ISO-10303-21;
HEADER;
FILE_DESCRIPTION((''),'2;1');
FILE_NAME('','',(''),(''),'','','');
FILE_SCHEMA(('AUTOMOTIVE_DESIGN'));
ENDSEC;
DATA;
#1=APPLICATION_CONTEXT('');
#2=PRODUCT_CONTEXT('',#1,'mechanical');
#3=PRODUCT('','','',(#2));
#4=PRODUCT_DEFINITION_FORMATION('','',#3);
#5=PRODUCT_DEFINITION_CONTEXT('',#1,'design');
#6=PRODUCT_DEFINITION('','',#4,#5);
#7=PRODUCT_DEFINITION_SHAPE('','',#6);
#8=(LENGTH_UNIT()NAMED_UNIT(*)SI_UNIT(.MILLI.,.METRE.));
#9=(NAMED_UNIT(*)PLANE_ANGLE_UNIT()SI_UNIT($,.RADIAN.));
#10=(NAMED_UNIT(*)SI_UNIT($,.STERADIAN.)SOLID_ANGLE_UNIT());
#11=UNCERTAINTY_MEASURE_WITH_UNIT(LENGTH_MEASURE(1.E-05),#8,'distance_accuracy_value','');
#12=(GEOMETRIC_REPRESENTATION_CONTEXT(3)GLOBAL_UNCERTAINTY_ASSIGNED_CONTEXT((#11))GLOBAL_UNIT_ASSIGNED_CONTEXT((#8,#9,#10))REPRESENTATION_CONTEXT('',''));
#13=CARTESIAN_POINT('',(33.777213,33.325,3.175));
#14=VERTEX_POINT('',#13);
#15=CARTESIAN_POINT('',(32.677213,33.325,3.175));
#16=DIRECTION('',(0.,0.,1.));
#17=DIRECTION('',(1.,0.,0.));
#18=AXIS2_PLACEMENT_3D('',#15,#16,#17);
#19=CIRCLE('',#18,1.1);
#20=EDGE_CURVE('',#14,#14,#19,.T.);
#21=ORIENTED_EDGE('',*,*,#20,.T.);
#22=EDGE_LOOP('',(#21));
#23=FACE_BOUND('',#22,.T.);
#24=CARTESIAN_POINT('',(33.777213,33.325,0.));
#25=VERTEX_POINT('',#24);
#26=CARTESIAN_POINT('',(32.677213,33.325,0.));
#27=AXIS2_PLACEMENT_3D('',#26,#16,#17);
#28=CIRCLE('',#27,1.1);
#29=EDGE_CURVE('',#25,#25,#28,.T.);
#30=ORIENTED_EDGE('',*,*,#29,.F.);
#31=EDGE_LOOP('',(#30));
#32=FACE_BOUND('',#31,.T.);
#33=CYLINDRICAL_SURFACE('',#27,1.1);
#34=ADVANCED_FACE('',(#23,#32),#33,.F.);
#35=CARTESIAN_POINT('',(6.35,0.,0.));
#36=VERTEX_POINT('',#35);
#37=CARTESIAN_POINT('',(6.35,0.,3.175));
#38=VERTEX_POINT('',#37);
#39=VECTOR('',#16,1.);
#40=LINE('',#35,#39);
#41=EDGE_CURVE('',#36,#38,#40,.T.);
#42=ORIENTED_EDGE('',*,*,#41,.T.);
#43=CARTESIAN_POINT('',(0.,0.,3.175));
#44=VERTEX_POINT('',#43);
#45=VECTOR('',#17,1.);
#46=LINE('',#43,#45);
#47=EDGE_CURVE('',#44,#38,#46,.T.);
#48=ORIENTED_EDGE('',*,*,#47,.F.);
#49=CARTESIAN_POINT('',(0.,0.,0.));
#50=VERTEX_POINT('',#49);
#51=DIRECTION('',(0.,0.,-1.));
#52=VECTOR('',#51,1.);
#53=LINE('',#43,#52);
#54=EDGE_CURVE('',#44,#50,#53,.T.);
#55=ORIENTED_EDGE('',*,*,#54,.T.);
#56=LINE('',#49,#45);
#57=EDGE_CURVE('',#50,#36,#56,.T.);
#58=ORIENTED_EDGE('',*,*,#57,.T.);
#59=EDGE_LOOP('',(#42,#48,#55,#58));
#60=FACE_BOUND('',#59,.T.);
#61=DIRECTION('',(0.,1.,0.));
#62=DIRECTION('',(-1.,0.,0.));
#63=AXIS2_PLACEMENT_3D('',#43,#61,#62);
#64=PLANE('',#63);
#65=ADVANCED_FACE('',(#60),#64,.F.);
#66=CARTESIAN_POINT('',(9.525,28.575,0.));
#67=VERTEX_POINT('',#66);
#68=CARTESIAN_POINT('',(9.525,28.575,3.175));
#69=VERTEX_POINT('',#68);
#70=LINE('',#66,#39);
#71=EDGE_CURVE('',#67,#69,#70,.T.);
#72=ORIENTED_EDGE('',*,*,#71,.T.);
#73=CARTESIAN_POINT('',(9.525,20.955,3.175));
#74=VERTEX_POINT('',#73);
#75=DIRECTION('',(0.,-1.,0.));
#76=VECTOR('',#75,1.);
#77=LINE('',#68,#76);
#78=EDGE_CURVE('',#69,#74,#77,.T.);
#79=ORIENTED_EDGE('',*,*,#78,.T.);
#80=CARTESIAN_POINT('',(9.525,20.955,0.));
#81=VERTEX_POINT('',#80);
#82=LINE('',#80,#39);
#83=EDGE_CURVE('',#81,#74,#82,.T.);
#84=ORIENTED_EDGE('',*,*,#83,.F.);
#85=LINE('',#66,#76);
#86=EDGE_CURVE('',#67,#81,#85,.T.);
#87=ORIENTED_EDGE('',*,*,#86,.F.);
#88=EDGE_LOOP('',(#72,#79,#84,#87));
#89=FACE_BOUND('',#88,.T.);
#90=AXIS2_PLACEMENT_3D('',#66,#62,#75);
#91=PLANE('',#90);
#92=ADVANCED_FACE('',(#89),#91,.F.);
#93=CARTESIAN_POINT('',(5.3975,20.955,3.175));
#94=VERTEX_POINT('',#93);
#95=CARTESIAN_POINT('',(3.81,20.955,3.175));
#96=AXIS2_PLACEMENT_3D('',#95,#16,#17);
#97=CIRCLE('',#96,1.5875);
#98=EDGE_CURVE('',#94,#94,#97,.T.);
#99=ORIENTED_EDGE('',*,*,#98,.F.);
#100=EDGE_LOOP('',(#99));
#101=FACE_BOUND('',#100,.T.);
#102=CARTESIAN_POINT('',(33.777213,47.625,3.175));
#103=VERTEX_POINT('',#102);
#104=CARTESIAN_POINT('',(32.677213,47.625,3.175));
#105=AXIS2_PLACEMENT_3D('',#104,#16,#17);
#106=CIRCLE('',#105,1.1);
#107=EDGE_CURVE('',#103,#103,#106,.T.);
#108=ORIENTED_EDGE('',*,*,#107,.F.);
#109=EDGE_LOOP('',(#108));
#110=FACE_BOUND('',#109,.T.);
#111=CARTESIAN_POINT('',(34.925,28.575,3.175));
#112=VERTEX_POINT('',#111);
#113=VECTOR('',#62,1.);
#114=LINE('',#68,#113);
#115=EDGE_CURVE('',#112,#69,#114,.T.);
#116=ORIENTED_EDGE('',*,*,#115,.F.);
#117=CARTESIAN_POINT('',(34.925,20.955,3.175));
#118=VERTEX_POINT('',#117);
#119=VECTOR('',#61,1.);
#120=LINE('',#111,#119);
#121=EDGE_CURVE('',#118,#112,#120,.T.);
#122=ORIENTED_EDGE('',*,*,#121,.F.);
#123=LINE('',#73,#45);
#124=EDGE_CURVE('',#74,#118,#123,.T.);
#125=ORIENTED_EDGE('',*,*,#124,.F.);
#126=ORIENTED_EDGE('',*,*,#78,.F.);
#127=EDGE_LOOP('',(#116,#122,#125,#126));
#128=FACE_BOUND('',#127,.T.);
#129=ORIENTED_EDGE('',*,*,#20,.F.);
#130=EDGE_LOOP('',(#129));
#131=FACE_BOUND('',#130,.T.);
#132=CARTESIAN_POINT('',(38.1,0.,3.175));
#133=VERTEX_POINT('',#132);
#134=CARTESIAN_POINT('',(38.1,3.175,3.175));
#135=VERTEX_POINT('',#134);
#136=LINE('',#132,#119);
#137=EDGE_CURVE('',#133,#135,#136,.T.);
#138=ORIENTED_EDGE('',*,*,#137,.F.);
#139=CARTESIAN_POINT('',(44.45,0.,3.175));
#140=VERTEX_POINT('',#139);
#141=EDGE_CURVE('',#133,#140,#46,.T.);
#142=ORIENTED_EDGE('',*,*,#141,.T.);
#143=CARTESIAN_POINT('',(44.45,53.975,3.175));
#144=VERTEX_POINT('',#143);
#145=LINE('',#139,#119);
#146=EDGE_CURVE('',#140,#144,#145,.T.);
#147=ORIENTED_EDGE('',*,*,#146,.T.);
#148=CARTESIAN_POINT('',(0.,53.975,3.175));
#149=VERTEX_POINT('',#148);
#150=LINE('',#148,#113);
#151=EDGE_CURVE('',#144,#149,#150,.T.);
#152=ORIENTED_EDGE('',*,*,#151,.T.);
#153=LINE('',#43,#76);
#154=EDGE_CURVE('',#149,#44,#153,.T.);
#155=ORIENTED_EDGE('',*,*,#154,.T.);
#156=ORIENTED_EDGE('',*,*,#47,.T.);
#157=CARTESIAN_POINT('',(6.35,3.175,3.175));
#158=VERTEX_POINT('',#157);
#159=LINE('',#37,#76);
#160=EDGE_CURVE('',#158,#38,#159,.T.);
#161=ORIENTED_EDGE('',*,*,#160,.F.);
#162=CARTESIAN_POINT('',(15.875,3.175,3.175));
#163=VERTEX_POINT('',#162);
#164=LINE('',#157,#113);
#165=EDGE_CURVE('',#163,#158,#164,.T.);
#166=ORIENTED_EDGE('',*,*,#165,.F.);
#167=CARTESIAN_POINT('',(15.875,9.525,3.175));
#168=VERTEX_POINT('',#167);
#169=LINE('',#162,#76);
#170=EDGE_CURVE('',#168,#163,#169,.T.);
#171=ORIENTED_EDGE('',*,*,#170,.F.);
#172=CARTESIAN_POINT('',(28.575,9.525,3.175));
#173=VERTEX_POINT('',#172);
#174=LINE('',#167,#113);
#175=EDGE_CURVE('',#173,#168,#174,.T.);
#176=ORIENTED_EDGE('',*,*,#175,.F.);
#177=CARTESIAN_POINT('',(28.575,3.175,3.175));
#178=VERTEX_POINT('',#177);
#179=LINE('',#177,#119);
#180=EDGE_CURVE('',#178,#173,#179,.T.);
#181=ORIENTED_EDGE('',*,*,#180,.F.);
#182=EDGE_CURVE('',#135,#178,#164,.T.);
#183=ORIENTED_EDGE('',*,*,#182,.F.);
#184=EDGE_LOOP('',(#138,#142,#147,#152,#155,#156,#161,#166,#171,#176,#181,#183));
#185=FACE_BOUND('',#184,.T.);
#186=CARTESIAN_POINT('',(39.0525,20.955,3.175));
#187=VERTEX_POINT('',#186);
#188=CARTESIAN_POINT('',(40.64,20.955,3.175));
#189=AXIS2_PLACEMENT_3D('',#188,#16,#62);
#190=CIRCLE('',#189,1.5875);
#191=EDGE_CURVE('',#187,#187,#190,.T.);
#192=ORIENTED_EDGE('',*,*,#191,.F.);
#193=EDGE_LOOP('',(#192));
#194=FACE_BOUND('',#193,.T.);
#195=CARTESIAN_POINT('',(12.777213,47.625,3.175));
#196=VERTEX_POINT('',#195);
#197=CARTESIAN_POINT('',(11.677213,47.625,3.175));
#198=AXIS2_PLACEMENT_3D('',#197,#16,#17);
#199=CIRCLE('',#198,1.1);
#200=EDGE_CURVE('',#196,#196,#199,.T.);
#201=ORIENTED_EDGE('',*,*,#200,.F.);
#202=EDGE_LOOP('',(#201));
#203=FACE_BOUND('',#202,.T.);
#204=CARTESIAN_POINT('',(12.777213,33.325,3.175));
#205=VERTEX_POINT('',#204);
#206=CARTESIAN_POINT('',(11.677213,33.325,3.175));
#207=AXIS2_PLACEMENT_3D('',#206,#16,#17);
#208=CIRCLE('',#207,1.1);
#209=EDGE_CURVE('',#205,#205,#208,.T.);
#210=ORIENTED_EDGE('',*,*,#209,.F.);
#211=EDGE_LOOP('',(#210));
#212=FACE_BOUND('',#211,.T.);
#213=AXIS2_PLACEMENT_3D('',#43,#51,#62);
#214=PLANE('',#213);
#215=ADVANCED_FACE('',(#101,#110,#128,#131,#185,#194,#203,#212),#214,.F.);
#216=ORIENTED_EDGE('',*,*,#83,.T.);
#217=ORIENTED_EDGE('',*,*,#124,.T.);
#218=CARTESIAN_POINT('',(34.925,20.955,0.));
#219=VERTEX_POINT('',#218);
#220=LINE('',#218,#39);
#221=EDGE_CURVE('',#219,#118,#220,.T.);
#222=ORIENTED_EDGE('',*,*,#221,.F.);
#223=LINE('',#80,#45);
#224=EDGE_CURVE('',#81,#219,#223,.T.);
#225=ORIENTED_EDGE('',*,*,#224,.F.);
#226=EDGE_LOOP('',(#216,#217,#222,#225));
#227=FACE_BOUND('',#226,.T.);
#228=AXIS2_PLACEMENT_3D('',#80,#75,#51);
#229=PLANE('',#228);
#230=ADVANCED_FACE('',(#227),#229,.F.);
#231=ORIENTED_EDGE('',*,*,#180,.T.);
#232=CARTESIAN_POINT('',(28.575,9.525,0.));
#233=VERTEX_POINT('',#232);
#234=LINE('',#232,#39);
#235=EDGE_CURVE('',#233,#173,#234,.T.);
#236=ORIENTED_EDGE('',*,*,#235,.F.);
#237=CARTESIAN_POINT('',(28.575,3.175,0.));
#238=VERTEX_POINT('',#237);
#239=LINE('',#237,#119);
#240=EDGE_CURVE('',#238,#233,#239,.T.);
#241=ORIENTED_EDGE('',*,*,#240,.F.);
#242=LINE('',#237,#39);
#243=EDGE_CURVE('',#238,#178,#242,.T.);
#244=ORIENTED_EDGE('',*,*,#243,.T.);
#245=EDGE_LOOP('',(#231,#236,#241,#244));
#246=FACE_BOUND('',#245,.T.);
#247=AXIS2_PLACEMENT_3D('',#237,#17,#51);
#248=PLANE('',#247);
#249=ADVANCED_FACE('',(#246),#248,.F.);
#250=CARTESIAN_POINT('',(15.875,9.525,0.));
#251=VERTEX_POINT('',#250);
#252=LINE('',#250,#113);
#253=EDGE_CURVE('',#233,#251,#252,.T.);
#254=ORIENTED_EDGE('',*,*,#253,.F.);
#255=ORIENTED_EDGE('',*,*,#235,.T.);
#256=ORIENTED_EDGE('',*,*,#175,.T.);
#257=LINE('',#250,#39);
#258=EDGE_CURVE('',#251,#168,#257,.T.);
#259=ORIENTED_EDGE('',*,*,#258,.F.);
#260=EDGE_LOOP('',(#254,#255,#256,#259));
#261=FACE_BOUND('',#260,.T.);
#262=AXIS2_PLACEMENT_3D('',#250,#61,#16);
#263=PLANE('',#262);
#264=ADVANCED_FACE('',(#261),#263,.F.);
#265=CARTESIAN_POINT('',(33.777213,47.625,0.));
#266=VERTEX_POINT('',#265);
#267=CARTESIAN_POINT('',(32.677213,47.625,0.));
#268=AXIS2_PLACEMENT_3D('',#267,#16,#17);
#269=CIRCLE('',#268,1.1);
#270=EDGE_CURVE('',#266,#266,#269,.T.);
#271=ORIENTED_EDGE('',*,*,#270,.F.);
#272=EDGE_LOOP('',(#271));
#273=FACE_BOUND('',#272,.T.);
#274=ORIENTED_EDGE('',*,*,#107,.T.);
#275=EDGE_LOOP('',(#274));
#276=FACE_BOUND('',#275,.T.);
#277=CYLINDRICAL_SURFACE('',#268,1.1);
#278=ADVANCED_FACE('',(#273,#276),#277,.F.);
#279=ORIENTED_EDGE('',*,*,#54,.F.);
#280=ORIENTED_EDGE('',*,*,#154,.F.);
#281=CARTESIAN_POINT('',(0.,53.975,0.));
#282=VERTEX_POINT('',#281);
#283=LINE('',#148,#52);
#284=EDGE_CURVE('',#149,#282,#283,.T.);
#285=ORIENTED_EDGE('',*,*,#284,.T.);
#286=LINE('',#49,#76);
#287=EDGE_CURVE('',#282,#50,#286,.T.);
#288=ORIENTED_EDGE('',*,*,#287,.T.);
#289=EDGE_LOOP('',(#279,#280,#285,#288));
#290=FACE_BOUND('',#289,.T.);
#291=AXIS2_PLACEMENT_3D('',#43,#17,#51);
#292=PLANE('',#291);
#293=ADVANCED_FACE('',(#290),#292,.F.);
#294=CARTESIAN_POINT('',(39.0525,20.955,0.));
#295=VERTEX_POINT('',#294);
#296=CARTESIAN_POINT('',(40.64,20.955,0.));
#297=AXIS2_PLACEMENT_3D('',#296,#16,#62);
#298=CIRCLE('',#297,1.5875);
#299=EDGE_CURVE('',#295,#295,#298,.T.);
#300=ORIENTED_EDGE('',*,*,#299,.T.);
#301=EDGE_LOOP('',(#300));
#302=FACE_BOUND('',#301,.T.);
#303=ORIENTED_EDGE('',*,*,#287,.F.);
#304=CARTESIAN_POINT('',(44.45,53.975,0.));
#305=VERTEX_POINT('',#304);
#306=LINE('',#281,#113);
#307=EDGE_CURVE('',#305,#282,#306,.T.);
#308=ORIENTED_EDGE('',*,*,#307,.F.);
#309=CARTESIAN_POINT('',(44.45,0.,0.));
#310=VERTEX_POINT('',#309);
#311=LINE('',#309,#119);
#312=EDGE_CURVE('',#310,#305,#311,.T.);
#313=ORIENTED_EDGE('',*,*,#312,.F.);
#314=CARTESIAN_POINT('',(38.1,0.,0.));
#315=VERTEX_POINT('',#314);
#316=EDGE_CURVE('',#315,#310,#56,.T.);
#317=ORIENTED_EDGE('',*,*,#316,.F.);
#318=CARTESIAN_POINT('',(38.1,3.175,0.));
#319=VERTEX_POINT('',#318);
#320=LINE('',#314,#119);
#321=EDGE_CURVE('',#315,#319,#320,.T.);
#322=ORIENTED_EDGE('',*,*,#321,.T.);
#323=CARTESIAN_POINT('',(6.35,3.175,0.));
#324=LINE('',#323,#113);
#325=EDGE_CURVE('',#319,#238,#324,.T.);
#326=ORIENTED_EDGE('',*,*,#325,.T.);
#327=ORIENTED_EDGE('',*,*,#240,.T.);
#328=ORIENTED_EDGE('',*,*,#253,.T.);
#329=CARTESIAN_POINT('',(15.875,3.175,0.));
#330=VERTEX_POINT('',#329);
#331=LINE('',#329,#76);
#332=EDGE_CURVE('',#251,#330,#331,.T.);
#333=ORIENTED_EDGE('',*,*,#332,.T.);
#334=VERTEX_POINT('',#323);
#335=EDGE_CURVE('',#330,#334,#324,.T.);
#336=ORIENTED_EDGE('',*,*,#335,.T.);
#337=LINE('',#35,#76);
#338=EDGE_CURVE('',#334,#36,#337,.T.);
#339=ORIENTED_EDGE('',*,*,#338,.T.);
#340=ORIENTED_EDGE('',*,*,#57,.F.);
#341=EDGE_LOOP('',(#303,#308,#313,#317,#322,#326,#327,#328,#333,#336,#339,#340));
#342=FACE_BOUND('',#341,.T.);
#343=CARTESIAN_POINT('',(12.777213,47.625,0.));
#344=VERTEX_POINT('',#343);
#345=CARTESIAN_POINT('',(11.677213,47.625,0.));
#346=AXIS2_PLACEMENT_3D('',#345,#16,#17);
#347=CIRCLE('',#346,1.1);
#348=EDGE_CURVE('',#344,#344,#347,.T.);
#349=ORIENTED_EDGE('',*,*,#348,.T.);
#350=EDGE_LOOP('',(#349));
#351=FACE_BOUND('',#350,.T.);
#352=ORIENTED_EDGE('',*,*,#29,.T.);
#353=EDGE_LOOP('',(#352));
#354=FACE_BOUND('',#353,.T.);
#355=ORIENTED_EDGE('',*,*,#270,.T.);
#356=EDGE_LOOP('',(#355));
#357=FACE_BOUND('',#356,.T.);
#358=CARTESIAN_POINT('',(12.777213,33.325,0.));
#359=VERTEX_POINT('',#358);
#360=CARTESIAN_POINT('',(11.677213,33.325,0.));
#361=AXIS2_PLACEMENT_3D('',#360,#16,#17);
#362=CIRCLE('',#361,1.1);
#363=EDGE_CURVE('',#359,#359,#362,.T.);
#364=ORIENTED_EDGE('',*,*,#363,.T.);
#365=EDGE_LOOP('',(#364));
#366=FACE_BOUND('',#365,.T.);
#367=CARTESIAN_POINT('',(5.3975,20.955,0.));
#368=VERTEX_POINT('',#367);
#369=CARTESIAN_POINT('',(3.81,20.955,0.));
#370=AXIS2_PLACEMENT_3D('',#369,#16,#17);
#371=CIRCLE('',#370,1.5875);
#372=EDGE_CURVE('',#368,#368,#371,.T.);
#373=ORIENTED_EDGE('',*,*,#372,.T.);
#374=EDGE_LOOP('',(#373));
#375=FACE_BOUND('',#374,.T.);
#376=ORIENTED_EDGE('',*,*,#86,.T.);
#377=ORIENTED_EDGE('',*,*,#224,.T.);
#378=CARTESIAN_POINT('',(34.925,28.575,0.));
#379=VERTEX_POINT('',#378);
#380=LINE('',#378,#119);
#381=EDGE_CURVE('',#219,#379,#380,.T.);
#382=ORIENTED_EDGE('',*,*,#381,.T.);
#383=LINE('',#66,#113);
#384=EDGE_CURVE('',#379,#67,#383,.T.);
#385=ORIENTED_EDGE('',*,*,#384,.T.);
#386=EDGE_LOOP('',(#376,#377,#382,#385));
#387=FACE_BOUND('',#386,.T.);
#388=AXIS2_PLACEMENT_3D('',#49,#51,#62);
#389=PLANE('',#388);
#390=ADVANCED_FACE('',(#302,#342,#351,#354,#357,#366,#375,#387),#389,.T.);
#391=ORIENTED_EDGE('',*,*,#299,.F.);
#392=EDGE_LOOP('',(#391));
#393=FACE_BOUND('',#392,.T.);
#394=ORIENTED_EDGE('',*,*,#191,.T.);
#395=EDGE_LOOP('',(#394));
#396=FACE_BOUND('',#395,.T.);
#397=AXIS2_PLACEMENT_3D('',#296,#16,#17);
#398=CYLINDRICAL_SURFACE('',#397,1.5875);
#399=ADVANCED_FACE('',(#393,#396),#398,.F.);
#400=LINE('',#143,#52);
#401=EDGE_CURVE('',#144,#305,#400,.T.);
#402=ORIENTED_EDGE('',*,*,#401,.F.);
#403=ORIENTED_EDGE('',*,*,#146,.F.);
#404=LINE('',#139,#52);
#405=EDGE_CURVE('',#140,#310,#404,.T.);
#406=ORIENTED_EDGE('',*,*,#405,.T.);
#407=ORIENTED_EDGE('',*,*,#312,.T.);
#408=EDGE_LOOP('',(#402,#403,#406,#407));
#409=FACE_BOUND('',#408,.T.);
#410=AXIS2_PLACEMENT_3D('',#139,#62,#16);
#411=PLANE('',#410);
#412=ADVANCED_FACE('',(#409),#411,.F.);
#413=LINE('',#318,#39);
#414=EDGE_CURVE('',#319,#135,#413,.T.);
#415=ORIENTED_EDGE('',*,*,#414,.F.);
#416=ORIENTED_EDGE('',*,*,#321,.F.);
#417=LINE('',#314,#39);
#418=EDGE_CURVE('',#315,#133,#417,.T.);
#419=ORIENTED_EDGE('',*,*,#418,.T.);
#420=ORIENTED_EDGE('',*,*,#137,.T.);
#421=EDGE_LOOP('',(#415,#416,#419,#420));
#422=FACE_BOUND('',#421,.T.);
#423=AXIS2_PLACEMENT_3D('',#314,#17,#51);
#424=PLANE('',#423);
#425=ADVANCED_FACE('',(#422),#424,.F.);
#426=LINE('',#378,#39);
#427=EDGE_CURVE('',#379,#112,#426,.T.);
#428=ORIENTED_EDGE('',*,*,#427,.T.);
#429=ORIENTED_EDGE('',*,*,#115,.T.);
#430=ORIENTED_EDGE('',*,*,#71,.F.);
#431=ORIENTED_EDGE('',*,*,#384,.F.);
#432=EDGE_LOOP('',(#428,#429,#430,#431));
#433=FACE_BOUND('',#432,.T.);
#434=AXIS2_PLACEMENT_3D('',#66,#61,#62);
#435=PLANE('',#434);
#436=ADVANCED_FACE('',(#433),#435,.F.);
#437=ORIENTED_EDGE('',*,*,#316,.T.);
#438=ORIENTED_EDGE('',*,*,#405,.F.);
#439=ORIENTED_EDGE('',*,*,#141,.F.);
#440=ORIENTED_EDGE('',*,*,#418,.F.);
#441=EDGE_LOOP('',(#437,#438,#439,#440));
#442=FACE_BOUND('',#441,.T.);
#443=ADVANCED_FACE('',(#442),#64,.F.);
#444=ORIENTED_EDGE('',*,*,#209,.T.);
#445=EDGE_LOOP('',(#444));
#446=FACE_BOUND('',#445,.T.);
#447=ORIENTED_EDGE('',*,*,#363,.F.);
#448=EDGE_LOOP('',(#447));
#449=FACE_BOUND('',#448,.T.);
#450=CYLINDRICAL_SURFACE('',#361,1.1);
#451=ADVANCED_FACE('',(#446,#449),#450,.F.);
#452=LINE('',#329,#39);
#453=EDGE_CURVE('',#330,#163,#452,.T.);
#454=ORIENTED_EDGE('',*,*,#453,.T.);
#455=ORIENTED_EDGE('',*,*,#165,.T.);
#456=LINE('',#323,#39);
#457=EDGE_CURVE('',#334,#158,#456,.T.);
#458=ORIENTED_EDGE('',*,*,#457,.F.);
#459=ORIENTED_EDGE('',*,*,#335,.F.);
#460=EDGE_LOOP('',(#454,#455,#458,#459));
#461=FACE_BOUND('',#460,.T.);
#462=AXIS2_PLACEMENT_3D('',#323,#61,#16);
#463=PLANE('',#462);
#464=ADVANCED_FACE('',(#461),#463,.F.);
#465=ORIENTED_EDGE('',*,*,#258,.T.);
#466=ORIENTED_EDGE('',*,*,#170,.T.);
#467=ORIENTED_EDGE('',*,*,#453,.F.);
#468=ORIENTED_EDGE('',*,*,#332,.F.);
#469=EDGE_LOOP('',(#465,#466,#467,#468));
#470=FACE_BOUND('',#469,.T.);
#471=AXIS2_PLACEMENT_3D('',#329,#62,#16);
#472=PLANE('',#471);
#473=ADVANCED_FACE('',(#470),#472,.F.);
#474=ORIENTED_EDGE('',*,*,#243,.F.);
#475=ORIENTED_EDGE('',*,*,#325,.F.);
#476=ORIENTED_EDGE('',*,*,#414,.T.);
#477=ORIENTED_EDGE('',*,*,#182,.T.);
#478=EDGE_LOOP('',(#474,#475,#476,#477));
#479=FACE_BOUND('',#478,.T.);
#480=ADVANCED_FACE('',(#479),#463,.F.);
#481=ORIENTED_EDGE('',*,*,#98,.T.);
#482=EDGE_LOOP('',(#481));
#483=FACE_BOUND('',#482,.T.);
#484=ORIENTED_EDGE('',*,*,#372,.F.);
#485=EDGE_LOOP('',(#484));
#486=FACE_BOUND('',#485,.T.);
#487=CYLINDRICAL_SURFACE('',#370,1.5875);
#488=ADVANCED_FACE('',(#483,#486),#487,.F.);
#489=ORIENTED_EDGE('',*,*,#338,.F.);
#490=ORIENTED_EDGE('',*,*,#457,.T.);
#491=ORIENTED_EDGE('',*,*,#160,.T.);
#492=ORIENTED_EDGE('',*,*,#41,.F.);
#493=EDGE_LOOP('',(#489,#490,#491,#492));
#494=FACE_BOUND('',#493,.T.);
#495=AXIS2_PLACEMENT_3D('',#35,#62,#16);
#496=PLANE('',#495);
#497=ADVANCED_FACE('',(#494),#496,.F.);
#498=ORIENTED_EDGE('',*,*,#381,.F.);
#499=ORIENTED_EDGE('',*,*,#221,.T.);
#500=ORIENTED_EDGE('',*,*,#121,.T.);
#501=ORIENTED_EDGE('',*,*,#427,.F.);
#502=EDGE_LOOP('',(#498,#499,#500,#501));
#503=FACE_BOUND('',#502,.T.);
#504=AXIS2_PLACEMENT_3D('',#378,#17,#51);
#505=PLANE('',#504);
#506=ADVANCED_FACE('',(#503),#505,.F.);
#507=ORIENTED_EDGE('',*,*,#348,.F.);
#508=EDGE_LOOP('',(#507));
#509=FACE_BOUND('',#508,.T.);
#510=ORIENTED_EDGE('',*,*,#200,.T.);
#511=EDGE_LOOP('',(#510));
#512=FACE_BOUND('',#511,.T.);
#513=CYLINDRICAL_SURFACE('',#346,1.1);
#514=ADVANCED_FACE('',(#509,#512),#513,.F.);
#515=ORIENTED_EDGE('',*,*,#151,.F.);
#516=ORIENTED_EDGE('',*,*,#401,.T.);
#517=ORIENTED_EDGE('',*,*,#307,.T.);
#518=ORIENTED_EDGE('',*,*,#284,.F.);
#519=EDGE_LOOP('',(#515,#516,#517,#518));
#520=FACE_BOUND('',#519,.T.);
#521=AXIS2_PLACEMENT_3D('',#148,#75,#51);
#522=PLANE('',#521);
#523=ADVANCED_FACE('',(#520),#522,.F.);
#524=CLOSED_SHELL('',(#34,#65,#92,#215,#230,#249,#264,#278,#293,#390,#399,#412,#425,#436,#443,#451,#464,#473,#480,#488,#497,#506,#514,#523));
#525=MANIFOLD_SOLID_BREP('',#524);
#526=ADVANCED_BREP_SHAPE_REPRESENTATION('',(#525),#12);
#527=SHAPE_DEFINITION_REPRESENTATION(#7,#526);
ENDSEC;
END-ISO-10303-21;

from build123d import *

# Parameters (mm, degrees)
SKETCH1_W           = 44.45
SKETCH1_H           = 53.975
BOSS_EXTRUDE1_DEPTH = 3.175
SKETCH2_W           = 31.75
SKETCH2_H           = 3.175
CUT_EXTRUDE1_DEPTH  = 4.175
SKETCH3_R           = 1.5875
SKETCH3_R_2         = 1.1
SKETCH3_W           = 12.7
SKETCH3_H           = 6.35
SKETCH3_W_2         = 25.4
SKETCH3_H_2         = 7.62
CUT_EXTRUDE2_DEPTH  = 4.175


with BuildPart() as part:
    # Sketch1 → Boss-Extrude1 (new body)
    with BuildSketch(Plane.XY):
        with Locations((22.225, 26.9875)):
            Rectangle(SKETCH1_W, SKETCH1_H)
    extrude(amount=BOSS_EXTRUDE1_DEPTH)

    # Sketch2 → Cut-Extrude1 (cut, through all)
    with BuildSketch(Plane.XY.offset(3.175)):
        with Locations((22.225, 1.5875)):
            Rectangle(SKETCH2_W, SKETCH2_H)
    extrude(amount=-CUT_EXTRUDE1_DEPTH, mode=Mode.SUBTRACT)

    # Sketch3 → Cut-Extrude2 (cut, through all)
    with BuildSketch(Plane.XY.offset(3.175)):
        with Locations((3.81, 20.955)):
            Circle(SKETCH3_R)
        with Locations((40.64, 20.955)):
            Circle(SKETCH3_R)
        with Locations((11.677212596, 47.625)):
            Circle(SKETCH3_R_2)
        with Locations((11.677212596, 33.325)):
            Circle(SKETCH3_R_2)
        with Locations((32.677212596, 47.625)):
            Circle(SKETCH3_R_2)
        with Locations((32.677212596, 33.325)):
            Circle(SKETCH3_R_2)
        with Locations((22.225, 6.35)):
            Rectangle(SKETCH3_W, SKETCH3_H)
        with Locations((22.225, 24.765)):
            Rectangle(SKETCH3_W_2, SKETCH3_H_2)
    extrude(amount=-CUT_EXTRUDE2_DEPTH, mode=Mode.SUBTRACT)


solid = part.part
